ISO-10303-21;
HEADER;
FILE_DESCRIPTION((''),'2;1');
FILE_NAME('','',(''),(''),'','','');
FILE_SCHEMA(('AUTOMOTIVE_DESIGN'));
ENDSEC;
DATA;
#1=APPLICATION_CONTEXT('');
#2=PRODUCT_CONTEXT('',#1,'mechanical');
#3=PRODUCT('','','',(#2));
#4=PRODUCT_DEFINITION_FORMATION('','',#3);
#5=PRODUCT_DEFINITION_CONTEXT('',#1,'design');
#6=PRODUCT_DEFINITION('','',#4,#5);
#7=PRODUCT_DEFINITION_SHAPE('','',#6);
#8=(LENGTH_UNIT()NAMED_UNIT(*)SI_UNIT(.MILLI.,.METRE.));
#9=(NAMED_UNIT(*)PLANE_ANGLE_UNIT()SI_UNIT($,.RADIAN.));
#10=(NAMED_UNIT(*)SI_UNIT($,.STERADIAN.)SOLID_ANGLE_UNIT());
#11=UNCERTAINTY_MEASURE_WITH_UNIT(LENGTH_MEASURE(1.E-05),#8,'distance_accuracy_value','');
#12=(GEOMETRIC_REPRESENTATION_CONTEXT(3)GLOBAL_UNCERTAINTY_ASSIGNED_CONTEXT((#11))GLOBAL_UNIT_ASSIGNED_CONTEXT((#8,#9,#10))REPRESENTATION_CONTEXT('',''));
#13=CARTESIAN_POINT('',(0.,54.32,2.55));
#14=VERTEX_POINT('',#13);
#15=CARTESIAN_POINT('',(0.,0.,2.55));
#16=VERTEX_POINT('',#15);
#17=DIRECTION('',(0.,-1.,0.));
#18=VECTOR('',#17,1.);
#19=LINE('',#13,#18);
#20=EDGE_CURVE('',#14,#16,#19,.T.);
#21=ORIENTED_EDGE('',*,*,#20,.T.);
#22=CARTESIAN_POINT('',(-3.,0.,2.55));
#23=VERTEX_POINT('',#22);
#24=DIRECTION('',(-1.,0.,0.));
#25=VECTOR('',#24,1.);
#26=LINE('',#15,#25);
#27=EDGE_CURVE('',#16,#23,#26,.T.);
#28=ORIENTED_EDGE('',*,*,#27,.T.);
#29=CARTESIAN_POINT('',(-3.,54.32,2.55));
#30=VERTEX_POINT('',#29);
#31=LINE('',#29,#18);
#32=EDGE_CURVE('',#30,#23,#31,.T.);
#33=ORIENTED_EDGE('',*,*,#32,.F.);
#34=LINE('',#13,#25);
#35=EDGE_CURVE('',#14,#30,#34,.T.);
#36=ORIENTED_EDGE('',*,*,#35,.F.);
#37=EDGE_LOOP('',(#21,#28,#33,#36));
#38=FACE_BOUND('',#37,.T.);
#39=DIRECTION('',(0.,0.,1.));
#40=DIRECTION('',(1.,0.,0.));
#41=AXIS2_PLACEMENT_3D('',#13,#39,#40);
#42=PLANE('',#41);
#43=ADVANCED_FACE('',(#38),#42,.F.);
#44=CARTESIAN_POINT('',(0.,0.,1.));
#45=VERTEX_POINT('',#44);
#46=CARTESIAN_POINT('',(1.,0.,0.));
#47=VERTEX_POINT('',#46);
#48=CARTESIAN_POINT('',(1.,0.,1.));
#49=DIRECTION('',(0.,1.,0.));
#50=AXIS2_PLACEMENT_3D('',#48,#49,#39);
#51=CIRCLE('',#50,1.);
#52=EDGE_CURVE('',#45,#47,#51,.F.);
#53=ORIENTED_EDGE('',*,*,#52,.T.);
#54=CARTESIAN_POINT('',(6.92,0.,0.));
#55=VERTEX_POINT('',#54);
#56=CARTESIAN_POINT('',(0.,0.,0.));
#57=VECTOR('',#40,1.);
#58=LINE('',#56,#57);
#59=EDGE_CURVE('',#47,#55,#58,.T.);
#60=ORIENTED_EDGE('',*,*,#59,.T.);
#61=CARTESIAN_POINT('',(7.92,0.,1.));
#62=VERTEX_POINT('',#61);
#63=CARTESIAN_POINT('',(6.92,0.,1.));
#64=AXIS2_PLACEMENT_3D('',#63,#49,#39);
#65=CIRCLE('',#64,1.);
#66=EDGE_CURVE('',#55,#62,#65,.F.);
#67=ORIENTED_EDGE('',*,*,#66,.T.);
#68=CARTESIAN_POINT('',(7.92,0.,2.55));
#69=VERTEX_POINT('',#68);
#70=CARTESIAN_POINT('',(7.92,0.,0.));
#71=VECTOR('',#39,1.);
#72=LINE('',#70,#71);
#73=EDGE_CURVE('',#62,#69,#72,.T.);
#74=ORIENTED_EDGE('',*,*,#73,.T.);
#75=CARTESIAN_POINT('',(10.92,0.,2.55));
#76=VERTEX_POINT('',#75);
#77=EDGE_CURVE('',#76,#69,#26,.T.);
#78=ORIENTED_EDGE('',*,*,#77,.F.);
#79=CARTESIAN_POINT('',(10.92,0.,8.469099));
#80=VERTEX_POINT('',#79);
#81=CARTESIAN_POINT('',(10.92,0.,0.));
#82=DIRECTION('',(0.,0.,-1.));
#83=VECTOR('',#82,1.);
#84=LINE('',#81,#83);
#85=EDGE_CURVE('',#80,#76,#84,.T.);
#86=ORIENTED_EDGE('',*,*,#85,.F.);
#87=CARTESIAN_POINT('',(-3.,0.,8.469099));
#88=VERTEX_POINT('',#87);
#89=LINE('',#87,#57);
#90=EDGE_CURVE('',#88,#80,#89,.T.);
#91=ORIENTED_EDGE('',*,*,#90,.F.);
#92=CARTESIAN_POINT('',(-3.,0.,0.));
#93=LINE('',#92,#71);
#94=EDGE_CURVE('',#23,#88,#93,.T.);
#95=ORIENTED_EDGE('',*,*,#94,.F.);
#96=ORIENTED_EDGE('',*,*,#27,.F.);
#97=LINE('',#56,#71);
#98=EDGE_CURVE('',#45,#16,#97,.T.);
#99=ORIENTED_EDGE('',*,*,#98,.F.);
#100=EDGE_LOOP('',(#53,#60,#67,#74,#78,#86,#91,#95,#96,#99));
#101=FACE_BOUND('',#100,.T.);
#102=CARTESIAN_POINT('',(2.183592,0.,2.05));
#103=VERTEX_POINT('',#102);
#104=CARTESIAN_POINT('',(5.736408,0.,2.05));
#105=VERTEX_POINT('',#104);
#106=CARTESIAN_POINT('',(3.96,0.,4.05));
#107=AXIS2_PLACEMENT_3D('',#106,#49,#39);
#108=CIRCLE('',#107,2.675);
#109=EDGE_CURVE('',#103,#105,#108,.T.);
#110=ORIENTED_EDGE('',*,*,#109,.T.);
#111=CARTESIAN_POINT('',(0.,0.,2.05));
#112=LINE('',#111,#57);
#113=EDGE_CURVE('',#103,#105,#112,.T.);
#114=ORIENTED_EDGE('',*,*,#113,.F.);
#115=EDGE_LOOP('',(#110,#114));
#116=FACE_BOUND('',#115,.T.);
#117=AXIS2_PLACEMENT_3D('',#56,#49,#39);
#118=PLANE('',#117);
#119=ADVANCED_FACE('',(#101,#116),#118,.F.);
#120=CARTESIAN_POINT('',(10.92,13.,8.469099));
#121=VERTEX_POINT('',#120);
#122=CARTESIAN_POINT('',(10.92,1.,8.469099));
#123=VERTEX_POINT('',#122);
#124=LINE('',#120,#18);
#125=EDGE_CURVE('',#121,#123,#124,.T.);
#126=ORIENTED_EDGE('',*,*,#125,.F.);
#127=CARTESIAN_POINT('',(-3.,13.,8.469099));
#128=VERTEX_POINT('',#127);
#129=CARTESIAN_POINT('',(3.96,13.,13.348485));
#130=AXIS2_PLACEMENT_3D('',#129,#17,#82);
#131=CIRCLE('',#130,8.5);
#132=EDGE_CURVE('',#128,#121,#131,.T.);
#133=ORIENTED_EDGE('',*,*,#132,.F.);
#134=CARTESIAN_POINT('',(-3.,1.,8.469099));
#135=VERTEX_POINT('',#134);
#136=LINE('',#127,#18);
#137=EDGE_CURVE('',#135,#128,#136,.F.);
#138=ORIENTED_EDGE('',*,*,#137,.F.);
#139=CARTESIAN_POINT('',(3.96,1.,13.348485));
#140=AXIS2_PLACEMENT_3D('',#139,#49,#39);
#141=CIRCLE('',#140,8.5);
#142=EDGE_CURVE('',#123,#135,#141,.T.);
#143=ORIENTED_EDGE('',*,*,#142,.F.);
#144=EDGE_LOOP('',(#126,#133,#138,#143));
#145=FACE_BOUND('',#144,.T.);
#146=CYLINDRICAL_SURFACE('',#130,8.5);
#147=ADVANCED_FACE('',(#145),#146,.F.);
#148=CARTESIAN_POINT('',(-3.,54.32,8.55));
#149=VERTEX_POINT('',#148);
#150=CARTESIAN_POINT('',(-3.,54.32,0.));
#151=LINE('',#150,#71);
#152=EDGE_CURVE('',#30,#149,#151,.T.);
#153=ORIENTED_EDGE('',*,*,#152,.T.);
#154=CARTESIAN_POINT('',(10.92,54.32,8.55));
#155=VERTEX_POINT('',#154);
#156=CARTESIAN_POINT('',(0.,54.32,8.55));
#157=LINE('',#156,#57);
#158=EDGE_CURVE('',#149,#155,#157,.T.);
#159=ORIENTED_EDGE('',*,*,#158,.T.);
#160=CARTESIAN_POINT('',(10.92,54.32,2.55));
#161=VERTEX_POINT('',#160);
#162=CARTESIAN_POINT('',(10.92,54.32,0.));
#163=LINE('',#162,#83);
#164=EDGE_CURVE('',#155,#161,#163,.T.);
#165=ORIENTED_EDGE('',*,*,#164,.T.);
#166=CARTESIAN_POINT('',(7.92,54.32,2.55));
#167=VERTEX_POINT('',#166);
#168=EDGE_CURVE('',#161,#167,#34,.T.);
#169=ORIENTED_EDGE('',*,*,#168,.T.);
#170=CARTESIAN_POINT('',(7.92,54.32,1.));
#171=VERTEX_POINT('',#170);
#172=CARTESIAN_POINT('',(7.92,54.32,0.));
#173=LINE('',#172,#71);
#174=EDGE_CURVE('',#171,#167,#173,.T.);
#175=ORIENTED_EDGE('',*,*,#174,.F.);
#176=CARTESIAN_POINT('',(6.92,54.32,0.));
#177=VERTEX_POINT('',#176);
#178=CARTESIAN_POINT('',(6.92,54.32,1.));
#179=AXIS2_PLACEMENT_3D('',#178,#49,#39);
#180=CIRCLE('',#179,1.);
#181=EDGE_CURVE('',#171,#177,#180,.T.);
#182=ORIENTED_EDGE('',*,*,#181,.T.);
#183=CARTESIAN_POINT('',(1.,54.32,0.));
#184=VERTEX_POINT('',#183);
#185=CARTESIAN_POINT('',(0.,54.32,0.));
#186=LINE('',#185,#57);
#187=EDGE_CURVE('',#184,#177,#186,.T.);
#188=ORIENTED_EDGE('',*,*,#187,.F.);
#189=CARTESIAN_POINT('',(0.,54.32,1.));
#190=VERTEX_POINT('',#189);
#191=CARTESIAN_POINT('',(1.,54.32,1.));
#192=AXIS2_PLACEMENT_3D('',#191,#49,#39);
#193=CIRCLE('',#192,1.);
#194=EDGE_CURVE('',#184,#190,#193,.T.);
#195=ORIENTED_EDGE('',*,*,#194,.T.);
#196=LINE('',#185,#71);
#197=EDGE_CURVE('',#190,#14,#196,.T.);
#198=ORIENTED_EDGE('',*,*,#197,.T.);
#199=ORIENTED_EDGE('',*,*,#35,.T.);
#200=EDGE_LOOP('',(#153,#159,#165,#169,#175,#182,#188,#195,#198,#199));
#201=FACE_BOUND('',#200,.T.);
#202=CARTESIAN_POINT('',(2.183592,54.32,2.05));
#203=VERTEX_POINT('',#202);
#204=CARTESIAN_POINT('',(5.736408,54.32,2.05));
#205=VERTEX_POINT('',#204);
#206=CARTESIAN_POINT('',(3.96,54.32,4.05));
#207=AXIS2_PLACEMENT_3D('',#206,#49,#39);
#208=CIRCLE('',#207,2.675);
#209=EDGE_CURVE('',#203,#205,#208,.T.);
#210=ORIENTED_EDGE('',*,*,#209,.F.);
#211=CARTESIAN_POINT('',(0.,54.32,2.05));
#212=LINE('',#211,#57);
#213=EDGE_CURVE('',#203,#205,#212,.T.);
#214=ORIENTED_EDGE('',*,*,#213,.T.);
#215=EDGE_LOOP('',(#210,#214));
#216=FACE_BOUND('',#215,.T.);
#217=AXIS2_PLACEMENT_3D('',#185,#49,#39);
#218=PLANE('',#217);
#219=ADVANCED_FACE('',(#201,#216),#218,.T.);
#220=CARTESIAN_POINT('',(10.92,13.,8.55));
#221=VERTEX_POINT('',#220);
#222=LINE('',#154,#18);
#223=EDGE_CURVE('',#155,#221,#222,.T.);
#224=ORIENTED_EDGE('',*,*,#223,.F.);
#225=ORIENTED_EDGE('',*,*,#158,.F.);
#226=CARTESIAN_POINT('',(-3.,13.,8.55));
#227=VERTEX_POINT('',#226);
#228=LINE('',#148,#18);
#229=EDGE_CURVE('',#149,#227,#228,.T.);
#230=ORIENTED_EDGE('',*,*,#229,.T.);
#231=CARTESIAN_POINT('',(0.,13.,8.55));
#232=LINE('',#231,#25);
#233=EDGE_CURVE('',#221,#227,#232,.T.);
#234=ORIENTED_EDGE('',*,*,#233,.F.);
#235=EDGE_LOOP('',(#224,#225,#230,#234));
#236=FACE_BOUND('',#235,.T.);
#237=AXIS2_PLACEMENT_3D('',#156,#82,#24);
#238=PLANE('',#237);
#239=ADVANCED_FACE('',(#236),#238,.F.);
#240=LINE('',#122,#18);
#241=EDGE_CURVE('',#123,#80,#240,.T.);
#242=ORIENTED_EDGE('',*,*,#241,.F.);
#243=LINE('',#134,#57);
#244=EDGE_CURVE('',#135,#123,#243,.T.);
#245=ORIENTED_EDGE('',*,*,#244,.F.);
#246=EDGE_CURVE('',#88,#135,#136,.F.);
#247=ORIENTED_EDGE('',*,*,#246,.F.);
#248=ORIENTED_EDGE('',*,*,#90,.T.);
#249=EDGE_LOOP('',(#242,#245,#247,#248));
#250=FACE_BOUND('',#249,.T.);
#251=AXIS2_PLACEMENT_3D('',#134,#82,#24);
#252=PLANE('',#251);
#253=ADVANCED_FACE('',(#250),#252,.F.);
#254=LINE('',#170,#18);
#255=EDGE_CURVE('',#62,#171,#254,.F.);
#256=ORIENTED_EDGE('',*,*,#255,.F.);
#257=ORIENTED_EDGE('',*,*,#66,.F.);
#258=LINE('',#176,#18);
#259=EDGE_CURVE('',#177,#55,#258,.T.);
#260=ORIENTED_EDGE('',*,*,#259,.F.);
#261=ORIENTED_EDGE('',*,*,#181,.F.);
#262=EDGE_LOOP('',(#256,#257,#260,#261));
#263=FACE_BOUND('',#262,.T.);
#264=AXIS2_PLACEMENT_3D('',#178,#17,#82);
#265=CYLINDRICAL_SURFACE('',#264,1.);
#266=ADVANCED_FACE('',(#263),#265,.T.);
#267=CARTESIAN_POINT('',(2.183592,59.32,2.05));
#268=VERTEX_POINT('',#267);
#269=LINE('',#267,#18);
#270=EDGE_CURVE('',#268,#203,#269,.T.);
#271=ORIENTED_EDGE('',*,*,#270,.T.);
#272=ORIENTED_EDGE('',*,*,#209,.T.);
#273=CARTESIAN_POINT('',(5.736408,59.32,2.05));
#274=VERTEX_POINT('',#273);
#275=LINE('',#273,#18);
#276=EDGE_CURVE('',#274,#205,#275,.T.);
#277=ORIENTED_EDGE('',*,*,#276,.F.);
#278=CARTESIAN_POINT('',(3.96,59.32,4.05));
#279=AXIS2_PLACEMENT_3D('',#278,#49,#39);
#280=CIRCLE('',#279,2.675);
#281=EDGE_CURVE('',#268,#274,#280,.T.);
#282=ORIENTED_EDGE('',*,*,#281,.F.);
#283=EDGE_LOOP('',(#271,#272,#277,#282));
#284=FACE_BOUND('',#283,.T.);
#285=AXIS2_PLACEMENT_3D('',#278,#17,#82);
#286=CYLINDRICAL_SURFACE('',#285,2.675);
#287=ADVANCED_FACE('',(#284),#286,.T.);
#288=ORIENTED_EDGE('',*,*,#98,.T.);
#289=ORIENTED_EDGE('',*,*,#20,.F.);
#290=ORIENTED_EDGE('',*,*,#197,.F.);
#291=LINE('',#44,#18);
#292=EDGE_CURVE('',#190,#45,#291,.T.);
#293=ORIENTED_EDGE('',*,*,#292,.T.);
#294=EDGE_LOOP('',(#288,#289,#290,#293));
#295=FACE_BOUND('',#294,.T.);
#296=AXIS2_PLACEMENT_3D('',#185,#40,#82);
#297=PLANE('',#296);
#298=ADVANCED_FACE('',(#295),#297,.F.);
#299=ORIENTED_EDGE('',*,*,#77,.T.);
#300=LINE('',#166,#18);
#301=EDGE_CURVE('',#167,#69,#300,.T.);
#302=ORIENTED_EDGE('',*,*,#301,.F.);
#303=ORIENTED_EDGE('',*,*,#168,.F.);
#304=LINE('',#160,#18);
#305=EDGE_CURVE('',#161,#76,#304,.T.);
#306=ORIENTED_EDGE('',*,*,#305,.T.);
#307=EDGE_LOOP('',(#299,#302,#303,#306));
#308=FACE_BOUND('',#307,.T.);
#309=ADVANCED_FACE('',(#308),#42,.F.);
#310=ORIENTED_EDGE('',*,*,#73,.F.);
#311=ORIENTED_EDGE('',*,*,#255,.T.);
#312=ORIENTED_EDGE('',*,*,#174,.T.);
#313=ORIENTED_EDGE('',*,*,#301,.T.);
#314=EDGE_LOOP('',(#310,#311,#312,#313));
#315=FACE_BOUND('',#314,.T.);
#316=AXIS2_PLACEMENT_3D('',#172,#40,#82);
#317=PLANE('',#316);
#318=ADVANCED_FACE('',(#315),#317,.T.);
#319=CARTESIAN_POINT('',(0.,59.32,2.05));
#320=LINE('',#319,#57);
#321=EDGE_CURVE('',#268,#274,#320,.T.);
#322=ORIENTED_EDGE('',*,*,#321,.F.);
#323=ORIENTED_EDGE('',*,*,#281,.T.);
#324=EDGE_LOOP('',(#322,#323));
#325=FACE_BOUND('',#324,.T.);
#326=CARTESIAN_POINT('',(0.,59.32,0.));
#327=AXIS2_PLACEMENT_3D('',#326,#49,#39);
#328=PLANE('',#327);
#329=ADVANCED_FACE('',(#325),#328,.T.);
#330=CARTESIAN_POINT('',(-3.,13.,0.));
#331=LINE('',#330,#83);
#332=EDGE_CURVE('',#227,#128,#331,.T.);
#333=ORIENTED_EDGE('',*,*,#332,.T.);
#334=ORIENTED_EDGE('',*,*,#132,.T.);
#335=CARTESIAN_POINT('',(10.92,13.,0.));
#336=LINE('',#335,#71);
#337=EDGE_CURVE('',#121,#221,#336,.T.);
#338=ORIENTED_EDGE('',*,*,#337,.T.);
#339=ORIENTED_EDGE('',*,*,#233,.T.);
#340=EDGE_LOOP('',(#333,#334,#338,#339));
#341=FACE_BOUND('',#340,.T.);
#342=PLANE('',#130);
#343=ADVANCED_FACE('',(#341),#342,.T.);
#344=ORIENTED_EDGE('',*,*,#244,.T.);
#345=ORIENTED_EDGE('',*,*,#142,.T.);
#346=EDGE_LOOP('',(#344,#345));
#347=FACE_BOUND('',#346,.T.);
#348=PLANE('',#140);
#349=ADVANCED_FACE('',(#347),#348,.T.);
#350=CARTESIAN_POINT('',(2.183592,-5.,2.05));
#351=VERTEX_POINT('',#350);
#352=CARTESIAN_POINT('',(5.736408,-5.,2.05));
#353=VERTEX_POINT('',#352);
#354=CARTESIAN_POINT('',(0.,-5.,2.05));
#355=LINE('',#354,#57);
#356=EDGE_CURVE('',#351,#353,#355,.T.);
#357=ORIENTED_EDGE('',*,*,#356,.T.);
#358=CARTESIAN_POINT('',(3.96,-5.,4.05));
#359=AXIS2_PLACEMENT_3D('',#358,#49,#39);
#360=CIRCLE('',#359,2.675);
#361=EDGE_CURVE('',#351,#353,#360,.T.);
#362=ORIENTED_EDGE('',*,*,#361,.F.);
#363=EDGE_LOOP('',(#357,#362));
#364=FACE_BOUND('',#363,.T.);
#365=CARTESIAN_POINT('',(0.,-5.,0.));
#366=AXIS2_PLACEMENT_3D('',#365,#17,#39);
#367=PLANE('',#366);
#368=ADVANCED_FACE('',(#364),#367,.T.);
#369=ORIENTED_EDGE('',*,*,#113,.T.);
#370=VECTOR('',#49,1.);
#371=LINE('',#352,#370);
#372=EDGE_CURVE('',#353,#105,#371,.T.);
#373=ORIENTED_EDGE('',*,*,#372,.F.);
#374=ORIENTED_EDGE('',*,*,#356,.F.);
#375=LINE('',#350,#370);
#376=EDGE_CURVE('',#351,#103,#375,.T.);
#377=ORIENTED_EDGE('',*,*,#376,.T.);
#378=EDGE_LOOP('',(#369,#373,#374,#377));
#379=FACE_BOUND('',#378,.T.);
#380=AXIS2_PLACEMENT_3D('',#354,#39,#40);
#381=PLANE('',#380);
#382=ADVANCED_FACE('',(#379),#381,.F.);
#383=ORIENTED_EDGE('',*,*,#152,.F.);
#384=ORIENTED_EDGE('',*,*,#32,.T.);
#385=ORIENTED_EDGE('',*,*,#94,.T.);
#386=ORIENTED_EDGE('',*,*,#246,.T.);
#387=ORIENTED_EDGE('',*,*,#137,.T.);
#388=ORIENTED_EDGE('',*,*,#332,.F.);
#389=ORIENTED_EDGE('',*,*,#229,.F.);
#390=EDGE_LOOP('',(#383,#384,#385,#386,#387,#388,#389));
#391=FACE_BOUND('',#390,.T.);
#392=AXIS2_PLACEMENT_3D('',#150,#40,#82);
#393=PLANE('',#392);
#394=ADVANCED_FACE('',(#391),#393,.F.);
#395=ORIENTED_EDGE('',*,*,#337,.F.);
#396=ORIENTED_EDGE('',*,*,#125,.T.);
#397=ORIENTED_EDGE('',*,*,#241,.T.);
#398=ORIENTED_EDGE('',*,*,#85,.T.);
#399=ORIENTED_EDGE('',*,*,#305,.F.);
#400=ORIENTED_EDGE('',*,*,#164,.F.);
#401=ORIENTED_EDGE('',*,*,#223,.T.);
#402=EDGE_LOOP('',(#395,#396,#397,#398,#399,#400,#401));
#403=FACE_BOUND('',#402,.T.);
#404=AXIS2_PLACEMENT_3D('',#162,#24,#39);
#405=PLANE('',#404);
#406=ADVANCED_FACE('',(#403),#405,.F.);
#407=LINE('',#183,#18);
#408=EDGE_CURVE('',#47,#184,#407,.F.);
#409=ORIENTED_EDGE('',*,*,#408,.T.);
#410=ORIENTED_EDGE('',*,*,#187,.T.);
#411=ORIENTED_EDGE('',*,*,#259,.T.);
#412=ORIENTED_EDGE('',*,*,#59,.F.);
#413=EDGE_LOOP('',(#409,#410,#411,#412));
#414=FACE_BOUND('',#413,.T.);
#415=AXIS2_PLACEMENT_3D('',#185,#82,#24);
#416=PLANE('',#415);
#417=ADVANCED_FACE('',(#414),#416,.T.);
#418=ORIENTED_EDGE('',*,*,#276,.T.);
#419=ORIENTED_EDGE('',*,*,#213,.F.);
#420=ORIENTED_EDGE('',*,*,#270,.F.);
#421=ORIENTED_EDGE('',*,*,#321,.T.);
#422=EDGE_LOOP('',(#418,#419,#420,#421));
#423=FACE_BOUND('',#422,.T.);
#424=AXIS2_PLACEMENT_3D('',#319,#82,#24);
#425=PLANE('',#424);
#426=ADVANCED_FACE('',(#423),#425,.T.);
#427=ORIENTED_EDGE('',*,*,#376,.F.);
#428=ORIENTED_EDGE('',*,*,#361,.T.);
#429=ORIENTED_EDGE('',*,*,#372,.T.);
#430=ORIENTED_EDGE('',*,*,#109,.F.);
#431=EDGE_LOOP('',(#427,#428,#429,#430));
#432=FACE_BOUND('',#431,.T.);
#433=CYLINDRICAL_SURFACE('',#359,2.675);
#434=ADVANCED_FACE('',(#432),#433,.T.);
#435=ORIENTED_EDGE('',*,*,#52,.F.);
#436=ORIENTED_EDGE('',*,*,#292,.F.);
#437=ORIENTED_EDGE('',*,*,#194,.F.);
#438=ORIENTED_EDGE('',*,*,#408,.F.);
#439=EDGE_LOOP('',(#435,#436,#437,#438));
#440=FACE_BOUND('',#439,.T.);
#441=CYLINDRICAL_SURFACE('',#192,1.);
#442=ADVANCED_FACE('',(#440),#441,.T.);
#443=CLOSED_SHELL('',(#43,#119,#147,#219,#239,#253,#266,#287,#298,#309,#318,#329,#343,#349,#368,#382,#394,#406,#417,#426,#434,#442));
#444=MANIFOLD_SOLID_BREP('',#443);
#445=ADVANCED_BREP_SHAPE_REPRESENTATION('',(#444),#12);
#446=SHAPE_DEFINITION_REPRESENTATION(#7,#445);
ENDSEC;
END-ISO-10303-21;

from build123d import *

# Parameters (mm, degrees)
BOSS_EXTRUDE1_DEPTH = 54.32
FILLET1_R           = 1
BOSS_EXTRUDE2_DEPTH = 5
SKETCH3_R           = 8.5
CUT_EXTRUDE1_DEPTH  = 13
BOSS_EXTRUDE3_DEPTH = 1


with BuildPart() as part:
    # Sketch1 → Boss-Extrude1 (new body)
    with BuildSketch(Plane(origin=(0, 0, 0), x_dir=(1, 0, 0), z_dir=(0, 1, 0))):
        Polygon((10.92, -2.55), (7.92, -2.55), (7.92, 0), (0, 0), (0, -2.55), (-3, -2.55), (-3, -8.55), (10.92, -8.55), align=None)
    extrude(amount=BOSS_EXTRUDE1_DEPTH)

    # Fillet1
    fillet1_edges = [part.edges().sort_by_distance(p)[0] for p in [
        (0, 27.16, 0),
        (7.92, 27.16, 0),
    ]]
    fillet(fillet1_edges, radius=FILLET1_R)

    # Sketch2 → Boss-Extrude2 (add)
    with BuildSketch(Plane(origin=(0, 54.32, 0), x_dir=(1, 0, 0), z_dir=(0, 1, 0))):
        with BuildLine():
            Line((5.736407892, -2.05), (2.183592108, -2.05))
            ThreePointArc((2.183592108, -2.05), (2.863703077, -6.490032388), (6.635, -4.05))
            ThreePointArc((6.635, -4.05), (6.400032388, -2.953703077), (5.736407892, -2.05))
        make_face()
    boss_extrude2 = extrude(amount=BOSS_EXTRUDE2_DEPTH)

    # Mirror1: Boss-Extrude2 across plane
    add(boss_extrude2.mirror(Plane.ZX.offset(27.16)))

    # Sketch3 → Cut-Extrude1 (cut)
    with BuildSketch(Plane.XZ):
        with Locations((3.96, 13.348484692)):
            Circle(SKETCH3_R)
    extrude(amount=-CUT_EXTRUDE1_DEPTH, mode=Mode.SUBTRACT)

    # Sketch4 → Boss-Extrude3 (add)
    with BuildSketch(Plane(origin=(0, 0, 0), x_dir=(1, 0, 0), z_dir=(0, 1, 0))):
        with BuildLine():
            Line((-3, -8.469099485), (10.92, -8.469099485))
            ThreePointArc((10.92, -8.469099485), (8.9248008, -6.449154796), (6.375674383, -5.198974445))
            ThreePointArc((6.375674383, -5.198974445), (3.96, -4.848484692), (1.544325617, -5.198974445))
            ThreePointArc((1.544325617, -5.198974445), (-1.0048008, -6.449154796), (-3, -8.469099485))
        make_face()
    extrude(amount=BOSS_EXTRUDE3_DEPTH)


solid = part.part
